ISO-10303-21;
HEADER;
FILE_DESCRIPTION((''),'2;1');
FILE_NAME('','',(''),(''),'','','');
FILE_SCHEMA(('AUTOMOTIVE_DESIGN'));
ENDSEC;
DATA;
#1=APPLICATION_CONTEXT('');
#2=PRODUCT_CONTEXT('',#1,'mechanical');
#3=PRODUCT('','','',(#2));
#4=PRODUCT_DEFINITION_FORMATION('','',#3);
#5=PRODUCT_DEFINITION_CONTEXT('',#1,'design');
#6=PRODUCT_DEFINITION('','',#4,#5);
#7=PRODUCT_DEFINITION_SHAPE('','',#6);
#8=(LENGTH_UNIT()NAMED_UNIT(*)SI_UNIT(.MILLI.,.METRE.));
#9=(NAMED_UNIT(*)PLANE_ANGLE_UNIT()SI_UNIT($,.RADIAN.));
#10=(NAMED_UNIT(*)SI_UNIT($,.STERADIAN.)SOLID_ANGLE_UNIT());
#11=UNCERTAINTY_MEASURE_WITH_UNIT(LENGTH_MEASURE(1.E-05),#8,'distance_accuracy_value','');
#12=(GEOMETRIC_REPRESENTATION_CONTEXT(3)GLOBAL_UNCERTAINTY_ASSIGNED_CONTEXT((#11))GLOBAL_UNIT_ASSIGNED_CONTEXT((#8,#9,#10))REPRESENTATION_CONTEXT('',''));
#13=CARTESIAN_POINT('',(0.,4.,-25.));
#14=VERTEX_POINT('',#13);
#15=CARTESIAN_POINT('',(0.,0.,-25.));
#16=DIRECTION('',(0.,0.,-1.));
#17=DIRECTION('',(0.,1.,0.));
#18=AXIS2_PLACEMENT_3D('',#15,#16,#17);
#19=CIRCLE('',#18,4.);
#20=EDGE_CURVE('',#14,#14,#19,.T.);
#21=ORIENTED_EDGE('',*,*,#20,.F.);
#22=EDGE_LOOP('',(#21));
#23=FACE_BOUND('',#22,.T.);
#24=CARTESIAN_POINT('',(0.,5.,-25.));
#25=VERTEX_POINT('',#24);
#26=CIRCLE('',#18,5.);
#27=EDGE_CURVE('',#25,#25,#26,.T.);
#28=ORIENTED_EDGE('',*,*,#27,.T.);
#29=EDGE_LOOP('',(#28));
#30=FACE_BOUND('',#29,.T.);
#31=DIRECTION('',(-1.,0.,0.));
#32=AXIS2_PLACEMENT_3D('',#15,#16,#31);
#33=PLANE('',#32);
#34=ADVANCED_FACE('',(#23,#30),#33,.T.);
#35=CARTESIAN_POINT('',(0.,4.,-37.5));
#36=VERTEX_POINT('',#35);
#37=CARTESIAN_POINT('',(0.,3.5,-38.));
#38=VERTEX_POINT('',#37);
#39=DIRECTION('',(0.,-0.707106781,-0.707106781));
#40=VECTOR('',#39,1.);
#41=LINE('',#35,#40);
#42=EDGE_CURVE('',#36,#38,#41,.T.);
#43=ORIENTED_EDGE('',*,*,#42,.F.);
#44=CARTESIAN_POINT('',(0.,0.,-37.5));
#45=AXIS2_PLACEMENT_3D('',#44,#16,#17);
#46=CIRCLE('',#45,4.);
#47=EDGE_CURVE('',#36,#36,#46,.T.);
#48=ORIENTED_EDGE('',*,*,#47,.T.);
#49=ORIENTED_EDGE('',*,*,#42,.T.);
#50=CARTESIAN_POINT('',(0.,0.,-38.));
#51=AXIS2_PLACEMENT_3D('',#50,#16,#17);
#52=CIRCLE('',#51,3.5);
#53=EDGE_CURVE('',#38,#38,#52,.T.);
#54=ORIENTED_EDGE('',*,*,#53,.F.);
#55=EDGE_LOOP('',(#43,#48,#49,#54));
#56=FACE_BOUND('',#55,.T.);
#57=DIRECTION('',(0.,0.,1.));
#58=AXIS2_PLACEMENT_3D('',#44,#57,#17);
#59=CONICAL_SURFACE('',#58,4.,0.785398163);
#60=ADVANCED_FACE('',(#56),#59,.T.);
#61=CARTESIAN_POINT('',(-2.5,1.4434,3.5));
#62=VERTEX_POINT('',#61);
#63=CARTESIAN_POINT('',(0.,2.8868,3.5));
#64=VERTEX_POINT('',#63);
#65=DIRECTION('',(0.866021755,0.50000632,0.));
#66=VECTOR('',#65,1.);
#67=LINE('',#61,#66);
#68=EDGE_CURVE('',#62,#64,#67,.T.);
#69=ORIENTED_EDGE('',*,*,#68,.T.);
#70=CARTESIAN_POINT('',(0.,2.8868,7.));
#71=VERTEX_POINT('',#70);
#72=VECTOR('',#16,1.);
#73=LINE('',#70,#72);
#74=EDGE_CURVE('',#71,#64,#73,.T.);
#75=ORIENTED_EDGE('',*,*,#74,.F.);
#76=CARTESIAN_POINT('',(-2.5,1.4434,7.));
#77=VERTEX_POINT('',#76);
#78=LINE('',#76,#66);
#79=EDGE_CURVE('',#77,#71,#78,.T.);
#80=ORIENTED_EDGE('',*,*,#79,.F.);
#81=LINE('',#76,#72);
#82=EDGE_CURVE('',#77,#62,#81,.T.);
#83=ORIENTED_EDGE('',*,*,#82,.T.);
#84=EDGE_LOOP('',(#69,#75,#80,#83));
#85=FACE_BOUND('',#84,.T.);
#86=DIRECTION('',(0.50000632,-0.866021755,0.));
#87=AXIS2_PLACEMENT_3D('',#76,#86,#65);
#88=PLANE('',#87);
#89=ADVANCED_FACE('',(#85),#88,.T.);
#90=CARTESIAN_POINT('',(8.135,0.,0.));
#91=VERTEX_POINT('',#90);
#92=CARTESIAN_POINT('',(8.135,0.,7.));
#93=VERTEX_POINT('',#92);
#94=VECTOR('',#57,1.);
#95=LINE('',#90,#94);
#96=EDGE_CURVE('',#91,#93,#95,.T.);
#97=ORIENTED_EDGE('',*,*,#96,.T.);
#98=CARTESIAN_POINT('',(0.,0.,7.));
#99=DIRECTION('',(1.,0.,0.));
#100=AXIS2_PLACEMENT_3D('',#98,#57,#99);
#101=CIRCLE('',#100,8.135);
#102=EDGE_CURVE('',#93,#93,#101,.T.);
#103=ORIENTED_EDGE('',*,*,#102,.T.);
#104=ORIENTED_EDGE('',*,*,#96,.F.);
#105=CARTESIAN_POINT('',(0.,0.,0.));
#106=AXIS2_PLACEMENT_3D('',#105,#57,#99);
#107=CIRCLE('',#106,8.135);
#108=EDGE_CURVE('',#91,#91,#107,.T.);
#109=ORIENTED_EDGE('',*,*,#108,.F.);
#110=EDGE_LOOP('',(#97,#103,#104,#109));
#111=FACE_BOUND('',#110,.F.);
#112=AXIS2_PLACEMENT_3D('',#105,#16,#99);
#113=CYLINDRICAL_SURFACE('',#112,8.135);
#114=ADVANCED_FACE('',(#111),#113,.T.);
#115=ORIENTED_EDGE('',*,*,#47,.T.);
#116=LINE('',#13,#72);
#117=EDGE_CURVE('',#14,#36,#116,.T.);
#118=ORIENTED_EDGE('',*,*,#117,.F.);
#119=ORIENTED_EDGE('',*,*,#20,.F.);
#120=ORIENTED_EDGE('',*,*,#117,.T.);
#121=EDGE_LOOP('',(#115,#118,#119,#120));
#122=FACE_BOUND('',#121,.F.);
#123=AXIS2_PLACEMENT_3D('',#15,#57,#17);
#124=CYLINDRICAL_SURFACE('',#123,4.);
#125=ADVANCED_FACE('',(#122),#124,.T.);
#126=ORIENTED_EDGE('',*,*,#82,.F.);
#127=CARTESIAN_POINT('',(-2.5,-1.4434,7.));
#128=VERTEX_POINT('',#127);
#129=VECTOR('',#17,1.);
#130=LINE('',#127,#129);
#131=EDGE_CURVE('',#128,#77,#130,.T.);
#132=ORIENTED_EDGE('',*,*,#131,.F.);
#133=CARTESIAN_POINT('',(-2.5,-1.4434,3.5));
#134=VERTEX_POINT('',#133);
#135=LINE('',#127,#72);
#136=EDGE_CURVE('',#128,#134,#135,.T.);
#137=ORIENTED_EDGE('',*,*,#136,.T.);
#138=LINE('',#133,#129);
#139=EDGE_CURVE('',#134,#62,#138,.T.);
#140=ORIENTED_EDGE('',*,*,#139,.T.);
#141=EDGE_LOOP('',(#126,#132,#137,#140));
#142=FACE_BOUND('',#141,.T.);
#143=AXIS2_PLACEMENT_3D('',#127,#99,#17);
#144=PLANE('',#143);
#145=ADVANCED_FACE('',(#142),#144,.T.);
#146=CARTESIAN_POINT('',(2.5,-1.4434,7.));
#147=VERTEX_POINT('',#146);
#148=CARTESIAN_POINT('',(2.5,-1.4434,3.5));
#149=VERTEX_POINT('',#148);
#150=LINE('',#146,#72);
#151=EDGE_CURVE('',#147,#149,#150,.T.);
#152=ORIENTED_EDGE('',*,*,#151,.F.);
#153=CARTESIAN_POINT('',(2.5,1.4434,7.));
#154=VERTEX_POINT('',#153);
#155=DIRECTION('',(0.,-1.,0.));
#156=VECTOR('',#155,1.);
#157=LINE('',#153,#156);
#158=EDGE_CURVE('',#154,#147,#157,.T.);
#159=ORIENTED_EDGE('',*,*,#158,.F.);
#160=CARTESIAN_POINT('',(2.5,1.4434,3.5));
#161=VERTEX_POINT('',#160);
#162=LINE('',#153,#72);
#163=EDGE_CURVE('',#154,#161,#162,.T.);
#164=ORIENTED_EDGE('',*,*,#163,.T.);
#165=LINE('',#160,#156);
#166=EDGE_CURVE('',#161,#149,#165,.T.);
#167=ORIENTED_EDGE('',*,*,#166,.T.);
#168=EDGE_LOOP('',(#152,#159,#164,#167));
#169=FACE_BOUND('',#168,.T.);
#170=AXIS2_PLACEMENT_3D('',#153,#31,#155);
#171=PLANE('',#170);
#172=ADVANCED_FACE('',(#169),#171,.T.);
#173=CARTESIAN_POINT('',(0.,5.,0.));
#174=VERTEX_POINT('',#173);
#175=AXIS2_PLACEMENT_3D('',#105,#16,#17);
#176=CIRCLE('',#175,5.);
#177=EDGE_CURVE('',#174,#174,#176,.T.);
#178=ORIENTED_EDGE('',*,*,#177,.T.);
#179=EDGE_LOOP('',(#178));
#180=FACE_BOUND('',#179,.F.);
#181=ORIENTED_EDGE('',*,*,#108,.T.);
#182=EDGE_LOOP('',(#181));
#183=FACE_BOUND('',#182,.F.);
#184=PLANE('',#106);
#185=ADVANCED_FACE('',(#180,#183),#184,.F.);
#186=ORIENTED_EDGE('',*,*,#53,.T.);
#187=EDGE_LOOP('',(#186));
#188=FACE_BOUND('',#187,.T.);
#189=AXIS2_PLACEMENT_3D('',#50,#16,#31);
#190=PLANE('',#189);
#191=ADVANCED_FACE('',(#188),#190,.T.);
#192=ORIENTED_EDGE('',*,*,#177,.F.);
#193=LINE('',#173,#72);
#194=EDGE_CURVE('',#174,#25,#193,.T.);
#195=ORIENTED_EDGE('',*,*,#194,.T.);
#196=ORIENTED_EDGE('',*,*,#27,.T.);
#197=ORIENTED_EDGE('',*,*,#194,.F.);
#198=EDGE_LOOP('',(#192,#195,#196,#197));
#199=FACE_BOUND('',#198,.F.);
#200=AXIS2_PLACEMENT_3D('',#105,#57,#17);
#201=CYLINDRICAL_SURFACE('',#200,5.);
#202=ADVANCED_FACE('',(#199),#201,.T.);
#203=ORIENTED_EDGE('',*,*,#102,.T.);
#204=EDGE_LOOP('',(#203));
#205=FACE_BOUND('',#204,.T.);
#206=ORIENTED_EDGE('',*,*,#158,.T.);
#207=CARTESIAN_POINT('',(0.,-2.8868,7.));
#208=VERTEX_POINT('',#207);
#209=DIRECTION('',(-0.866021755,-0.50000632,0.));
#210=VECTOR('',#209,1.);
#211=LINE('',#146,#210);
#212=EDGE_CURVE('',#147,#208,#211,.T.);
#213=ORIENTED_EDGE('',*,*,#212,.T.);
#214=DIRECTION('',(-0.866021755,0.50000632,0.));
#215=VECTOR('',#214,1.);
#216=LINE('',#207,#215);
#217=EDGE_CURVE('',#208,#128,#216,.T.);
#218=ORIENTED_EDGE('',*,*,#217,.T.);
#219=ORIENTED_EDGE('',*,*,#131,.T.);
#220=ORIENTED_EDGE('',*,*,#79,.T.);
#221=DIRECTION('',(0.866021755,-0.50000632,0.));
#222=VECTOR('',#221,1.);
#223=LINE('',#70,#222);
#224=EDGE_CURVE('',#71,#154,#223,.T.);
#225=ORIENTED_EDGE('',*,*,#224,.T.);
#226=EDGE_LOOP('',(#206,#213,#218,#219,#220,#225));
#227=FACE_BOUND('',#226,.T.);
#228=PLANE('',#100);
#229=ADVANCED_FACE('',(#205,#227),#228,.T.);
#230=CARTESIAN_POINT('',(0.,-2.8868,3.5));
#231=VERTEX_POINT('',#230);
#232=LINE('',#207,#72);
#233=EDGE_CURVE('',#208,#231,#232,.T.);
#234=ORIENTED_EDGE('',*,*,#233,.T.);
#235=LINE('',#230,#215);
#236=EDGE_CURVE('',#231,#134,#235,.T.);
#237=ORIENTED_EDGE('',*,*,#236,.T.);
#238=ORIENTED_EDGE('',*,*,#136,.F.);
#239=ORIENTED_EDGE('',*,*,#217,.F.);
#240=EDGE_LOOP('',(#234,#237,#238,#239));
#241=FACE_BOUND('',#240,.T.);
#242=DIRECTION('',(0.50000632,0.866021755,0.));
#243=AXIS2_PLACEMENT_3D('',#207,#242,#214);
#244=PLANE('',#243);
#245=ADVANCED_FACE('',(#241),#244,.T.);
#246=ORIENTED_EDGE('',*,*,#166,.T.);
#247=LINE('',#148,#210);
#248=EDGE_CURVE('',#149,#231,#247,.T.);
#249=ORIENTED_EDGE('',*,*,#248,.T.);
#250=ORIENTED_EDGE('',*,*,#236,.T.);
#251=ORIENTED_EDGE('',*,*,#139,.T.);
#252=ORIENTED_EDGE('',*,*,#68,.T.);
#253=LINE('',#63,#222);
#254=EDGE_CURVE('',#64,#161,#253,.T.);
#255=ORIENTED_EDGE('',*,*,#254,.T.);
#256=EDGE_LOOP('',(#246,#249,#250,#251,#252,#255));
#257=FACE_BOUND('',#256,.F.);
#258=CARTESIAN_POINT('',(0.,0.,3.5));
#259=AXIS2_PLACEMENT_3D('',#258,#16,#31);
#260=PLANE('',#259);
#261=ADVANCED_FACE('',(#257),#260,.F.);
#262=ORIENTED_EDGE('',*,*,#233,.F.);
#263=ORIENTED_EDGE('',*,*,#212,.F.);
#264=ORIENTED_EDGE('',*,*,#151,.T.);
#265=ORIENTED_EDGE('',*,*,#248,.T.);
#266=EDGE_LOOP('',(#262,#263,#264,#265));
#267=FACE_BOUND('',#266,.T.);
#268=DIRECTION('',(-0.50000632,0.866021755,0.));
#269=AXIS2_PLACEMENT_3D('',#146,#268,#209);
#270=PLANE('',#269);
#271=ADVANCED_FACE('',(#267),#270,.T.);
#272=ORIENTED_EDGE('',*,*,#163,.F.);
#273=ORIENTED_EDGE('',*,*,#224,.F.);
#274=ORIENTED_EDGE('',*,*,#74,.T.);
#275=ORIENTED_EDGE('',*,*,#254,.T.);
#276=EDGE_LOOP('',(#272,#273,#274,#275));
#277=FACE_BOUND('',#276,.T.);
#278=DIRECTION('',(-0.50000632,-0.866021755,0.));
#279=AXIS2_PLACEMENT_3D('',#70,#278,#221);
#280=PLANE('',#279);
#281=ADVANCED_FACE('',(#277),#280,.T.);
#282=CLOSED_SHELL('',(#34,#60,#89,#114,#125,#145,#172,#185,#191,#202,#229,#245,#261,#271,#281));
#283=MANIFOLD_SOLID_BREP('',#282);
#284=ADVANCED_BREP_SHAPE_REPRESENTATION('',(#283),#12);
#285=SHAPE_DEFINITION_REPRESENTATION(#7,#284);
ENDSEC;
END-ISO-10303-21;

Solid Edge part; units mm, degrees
sketch "Sketch1" plane through (0, 0, 0) normal (0, 0, 1) x (1, 0, 0)
  circle A0 centre (0, 0) radius 8.135
  dimension "D1" = 16.27
extrude "Protrusion1" add sketch "Sketch1" along normal blind 7
sketch "Sketch2" plane through (0, 0, 7) normal (0, 0, 1) x (1, 0, 0)
  line L0 (0, -2.8868) -> (-2.5, -1.4434)
  line L1 (-2.5, -1.4434) -> (-2.5, 1.4434)
  line L2 (-2.5, 1.4434) -> (0, 2.8868)
  line L3 (0, 2.8868) -> (2.5, 1.4434)
  line L4 (2.5, 1.4434) -> (2.5, -1.4434)
  line L5 (2.5, -1.4434) -> (0, -2.8868)
  dimension "D1" = 5
extrude "Cutout1" cut sketch "Sketch2" against normal blind 3.5
sketch "Sketch3" plane through (0, 0, 0) normal (0, 0, -1) x (0, 1, 0)
  circle A0 centre (0, 0) radius 5
  dimension "D1" = 10
extrude "Protrusion2" add sketch "Sketch3" along normal blind 25
sketch "Sketch4" plane through (0, 0, -25) normal (0, 0, -1) x (0, 1, 0)
  circle A0 centre (0, 0) radius 4
  dimension "D1" = 8
extrude "Protrusion3" add sketch "Sketch4" along normal blind 13
chamfer "Chamfer1" distance 0.5 angle 45 1 edges at (0, -4, -38)
properties part number "186231"
